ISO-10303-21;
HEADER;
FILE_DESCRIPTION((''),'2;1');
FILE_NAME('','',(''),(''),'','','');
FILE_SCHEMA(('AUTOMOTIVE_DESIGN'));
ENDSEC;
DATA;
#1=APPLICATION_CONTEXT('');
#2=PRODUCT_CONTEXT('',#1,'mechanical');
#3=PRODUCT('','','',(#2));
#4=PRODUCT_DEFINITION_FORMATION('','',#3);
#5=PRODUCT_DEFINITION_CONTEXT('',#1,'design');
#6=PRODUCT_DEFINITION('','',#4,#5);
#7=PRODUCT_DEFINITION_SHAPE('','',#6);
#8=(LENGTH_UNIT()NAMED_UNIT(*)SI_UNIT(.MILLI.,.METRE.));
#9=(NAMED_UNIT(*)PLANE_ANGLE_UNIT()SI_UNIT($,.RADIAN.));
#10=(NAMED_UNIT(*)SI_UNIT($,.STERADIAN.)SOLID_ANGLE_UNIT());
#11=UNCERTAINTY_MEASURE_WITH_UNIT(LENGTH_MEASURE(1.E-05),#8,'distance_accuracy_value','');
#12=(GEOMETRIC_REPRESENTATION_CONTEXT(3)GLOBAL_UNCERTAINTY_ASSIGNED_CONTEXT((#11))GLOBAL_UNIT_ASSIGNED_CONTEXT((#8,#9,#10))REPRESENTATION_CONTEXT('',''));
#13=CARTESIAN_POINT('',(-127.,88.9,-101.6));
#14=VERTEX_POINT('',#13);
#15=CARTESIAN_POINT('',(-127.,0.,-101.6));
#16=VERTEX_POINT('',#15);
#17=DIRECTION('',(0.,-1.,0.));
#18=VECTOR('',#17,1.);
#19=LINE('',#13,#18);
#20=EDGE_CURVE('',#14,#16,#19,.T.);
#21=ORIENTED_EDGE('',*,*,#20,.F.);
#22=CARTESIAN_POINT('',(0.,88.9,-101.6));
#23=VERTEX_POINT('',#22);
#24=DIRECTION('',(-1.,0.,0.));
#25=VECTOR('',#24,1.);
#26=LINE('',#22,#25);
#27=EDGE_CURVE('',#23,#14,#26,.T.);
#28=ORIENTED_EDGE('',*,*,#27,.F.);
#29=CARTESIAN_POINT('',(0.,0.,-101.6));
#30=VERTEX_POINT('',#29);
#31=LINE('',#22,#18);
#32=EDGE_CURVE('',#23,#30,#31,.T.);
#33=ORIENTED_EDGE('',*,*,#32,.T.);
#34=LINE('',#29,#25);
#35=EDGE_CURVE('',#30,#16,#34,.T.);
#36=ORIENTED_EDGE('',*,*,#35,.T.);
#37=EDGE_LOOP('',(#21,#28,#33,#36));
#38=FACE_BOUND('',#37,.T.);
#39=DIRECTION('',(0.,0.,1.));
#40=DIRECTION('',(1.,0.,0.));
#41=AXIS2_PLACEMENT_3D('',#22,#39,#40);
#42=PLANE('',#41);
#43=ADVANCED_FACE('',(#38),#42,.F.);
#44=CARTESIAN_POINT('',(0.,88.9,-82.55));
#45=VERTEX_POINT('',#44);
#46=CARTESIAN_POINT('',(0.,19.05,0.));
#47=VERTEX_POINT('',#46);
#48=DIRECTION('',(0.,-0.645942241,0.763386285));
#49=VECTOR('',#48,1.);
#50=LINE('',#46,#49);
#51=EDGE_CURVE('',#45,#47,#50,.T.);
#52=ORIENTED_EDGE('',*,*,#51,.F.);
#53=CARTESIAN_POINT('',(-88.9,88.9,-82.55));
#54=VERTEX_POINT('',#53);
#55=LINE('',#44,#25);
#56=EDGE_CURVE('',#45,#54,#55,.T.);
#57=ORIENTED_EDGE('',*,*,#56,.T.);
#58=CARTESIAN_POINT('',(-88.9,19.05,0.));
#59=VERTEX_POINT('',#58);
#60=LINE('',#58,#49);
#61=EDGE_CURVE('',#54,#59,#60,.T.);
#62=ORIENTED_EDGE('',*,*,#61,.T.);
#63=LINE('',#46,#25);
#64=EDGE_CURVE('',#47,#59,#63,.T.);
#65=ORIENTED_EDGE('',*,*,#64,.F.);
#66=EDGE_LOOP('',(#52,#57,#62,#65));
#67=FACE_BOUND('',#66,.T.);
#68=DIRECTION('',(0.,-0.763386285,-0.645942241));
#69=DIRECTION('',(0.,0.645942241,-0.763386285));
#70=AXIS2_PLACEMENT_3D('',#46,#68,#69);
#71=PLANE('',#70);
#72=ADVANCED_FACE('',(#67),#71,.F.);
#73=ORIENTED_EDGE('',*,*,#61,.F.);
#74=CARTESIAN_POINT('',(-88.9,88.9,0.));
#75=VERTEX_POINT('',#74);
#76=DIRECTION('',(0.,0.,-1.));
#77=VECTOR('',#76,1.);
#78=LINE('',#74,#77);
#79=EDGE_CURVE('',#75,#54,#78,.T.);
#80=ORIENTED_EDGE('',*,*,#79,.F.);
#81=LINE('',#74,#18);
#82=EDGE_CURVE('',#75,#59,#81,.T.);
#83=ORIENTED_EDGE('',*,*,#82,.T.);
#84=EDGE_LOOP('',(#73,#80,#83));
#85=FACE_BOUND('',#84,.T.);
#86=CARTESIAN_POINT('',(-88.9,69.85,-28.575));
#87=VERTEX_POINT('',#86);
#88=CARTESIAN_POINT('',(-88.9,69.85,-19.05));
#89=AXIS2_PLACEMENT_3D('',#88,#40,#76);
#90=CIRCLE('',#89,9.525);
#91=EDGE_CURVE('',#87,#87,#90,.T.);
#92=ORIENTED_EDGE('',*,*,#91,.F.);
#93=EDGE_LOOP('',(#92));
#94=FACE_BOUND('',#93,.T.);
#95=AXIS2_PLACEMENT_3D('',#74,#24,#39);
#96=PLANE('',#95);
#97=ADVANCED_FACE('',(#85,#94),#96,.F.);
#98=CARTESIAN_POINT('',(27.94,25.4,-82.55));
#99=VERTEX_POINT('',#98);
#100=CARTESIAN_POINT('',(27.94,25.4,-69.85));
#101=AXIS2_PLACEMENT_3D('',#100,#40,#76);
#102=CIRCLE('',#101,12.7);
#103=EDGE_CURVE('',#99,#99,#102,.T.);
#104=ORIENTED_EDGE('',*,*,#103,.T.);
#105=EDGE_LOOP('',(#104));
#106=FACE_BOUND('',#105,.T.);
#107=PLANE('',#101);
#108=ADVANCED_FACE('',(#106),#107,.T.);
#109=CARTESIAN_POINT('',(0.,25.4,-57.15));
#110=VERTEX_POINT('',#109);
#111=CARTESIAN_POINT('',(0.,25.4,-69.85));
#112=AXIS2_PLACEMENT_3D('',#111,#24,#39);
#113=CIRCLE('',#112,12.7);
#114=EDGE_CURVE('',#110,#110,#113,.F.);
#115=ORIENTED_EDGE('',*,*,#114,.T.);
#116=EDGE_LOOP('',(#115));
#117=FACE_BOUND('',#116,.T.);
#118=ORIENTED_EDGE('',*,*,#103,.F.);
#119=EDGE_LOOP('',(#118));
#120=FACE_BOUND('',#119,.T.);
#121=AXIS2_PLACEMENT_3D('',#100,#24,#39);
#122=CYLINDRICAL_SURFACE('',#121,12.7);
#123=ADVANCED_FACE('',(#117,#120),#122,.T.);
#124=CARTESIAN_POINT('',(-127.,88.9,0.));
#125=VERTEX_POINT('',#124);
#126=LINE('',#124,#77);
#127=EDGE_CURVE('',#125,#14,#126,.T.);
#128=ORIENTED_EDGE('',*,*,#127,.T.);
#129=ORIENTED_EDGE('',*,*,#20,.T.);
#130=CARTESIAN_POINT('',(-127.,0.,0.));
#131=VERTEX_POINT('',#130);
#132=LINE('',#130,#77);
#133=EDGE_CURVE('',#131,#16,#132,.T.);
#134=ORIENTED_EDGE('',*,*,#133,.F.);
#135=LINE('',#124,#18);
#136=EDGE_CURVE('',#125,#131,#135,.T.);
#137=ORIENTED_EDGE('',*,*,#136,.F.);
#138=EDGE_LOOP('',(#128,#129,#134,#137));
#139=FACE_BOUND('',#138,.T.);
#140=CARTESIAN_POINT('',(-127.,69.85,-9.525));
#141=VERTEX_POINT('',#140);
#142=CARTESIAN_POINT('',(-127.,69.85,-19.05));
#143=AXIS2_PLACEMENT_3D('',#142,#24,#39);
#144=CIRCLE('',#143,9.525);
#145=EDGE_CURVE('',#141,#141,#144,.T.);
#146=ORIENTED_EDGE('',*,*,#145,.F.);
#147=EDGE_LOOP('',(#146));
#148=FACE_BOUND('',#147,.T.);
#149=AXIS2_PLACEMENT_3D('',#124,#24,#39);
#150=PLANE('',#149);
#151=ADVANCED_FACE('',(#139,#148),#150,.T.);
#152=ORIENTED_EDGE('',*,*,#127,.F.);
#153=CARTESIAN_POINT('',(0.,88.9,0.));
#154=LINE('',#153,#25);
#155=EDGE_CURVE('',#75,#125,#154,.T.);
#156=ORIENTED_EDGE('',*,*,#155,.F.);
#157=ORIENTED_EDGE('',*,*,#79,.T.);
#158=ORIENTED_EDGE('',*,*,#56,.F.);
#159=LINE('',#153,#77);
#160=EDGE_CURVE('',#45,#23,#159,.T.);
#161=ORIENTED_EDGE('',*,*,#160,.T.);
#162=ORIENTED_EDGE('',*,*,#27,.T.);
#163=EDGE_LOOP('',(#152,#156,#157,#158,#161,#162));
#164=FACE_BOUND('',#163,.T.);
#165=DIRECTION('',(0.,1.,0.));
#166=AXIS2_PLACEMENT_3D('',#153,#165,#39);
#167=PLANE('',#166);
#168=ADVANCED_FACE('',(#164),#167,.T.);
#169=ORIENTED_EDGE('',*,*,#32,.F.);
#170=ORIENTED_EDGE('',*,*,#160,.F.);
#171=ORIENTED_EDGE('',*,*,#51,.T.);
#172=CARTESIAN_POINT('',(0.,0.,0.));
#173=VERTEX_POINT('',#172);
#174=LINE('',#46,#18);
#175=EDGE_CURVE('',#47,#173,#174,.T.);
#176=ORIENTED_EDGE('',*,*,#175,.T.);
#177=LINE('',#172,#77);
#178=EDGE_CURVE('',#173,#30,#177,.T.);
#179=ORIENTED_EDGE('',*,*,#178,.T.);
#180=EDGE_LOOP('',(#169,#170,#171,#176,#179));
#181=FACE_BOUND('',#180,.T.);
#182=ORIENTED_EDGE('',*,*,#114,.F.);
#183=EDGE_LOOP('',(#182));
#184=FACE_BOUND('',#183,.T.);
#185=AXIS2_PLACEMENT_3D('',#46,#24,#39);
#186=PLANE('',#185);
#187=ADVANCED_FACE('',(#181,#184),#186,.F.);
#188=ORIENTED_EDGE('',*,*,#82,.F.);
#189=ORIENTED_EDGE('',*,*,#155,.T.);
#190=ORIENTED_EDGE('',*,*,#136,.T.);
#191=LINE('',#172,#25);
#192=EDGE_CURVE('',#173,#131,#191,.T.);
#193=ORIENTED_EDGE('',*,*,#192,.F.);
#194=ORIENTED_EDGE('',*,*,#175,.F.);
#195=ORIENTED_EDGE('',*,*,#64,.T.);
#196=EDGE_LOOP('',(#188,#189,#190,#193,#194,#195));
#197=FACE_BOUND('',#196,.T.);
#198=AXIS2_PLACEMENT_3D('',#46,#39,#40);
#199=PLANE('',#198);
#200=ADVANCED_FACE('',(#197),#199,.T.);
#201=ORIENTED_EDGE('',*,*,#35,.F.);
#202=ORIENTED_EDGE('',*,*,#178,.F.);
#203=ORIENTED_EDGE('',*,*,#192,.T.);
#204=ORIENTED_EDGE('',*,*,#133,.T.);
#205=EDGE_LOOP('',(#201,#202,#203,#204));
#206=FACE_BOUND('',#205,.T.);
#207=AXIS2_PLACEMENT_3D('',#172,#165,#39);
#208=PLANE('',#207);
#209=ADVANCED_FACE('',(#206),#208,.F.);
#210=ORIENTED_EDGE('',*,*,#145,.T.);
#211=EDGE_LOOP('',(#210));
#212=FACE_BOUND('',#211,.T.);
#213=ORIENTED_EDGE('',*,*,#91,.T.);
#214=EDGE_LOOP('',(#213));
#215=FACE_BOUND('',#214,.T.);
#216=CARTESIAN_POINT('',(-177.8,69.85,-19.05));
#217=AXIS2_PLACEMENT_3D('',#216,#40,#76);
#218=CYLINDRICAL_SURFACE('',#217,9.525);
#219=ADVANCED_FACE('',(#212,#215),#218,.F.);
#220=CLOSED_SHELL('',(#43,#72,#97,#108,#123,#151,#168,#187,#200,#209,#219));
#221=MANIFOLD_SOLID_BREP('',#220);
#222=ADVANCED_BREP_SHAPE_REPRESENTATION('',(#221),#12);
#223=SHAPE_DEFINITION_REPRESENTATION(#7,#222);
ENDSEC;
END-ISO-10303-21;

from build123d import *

# Parameters (mm, degrees)
SKETCH1_W           = 88.9
SKETCH1_H           = 82.55
BOSS_EXTRUDE1_DEPTH = 19.05
BOSS_EXTRUDE2_DEPTH = 88.9
BOSS_EXTRUDE3_DEPTH = 88.9
SKETCH5_R           = 9.525
CUT_EXTRUDE1_DEPTH  = 88.9
SKETCH6_R           = 12.7
BOSS_EXTRUDE4_DEPTH = 27.94


with BuildPart() as part:
    # Sketch1 → Boss-Extrude1 (new body)
    with BuildSketch(Plane(origin=(0, 0, 0), x_dir=(1, 0, 0), z_dir=(0, 1, 0))):
        with Locations((-44.45, 41.275)):
            Rectangle(SKETCH1_W, SKETCH1_H)
    extrude(amount=BOSS_EXTRUDE1_DEPTH)

    # Sketch1<3> → Boss-Extrude2 (add)
    with BuildSketch(Plane(origin=(0, 0, 0), x_dir=(1, 0, 0), z_dir=(0, 1, 0))):
        Polygon((-88.9, 82.55), (0, 82.55), (0, 101.6), (-127, 101.6), (-127, 82.55), (-127, 0), (-88.9, 0), align=None)
    extrude(amount=BOSS_EXTRUDE2_DEPTH)

    # Sketch2 → Boss-Extrude3 (add)
    with BuildSketch(Plane(origin=(-88.9, 0, 0), x_dir=(0, 0, -1), z_dir=(1, 0, 0))):
        Polygon((0, 19.05), (82.55, 88.9), (82.55, 19.05), align=None)
    extrude(amount=BOSS_EXTRUDE3_DEPTH)

    # Sketch5 → Cut-Extrude1 (cut)
    with BuildSketch(Plane(origin=(-88.9, 0, 0), x_dir=(0, 0, -1), z_dir=(1, 0, 0))):
        with Locations((19.05, 69.85)):
            Circle(SKETCH5_R)
    extrude(amount=-CUT_EXTRUDE1_DEPTH, mode=Mode.SUBTRACT)

    # Sketch6 → Boss-Extrude4 (add)
    with BuildSketch(Plane(origin=(0, 0, 0), x_dir=(0, 0, -1), z_dir=(1, 0, 0))):
        with Locations((69.85, 25.4)):
            Circle(SKETCH6_R)
    extrude(amount=BOSS_EXTRUDE4_DEPTH)


solid = part.part
